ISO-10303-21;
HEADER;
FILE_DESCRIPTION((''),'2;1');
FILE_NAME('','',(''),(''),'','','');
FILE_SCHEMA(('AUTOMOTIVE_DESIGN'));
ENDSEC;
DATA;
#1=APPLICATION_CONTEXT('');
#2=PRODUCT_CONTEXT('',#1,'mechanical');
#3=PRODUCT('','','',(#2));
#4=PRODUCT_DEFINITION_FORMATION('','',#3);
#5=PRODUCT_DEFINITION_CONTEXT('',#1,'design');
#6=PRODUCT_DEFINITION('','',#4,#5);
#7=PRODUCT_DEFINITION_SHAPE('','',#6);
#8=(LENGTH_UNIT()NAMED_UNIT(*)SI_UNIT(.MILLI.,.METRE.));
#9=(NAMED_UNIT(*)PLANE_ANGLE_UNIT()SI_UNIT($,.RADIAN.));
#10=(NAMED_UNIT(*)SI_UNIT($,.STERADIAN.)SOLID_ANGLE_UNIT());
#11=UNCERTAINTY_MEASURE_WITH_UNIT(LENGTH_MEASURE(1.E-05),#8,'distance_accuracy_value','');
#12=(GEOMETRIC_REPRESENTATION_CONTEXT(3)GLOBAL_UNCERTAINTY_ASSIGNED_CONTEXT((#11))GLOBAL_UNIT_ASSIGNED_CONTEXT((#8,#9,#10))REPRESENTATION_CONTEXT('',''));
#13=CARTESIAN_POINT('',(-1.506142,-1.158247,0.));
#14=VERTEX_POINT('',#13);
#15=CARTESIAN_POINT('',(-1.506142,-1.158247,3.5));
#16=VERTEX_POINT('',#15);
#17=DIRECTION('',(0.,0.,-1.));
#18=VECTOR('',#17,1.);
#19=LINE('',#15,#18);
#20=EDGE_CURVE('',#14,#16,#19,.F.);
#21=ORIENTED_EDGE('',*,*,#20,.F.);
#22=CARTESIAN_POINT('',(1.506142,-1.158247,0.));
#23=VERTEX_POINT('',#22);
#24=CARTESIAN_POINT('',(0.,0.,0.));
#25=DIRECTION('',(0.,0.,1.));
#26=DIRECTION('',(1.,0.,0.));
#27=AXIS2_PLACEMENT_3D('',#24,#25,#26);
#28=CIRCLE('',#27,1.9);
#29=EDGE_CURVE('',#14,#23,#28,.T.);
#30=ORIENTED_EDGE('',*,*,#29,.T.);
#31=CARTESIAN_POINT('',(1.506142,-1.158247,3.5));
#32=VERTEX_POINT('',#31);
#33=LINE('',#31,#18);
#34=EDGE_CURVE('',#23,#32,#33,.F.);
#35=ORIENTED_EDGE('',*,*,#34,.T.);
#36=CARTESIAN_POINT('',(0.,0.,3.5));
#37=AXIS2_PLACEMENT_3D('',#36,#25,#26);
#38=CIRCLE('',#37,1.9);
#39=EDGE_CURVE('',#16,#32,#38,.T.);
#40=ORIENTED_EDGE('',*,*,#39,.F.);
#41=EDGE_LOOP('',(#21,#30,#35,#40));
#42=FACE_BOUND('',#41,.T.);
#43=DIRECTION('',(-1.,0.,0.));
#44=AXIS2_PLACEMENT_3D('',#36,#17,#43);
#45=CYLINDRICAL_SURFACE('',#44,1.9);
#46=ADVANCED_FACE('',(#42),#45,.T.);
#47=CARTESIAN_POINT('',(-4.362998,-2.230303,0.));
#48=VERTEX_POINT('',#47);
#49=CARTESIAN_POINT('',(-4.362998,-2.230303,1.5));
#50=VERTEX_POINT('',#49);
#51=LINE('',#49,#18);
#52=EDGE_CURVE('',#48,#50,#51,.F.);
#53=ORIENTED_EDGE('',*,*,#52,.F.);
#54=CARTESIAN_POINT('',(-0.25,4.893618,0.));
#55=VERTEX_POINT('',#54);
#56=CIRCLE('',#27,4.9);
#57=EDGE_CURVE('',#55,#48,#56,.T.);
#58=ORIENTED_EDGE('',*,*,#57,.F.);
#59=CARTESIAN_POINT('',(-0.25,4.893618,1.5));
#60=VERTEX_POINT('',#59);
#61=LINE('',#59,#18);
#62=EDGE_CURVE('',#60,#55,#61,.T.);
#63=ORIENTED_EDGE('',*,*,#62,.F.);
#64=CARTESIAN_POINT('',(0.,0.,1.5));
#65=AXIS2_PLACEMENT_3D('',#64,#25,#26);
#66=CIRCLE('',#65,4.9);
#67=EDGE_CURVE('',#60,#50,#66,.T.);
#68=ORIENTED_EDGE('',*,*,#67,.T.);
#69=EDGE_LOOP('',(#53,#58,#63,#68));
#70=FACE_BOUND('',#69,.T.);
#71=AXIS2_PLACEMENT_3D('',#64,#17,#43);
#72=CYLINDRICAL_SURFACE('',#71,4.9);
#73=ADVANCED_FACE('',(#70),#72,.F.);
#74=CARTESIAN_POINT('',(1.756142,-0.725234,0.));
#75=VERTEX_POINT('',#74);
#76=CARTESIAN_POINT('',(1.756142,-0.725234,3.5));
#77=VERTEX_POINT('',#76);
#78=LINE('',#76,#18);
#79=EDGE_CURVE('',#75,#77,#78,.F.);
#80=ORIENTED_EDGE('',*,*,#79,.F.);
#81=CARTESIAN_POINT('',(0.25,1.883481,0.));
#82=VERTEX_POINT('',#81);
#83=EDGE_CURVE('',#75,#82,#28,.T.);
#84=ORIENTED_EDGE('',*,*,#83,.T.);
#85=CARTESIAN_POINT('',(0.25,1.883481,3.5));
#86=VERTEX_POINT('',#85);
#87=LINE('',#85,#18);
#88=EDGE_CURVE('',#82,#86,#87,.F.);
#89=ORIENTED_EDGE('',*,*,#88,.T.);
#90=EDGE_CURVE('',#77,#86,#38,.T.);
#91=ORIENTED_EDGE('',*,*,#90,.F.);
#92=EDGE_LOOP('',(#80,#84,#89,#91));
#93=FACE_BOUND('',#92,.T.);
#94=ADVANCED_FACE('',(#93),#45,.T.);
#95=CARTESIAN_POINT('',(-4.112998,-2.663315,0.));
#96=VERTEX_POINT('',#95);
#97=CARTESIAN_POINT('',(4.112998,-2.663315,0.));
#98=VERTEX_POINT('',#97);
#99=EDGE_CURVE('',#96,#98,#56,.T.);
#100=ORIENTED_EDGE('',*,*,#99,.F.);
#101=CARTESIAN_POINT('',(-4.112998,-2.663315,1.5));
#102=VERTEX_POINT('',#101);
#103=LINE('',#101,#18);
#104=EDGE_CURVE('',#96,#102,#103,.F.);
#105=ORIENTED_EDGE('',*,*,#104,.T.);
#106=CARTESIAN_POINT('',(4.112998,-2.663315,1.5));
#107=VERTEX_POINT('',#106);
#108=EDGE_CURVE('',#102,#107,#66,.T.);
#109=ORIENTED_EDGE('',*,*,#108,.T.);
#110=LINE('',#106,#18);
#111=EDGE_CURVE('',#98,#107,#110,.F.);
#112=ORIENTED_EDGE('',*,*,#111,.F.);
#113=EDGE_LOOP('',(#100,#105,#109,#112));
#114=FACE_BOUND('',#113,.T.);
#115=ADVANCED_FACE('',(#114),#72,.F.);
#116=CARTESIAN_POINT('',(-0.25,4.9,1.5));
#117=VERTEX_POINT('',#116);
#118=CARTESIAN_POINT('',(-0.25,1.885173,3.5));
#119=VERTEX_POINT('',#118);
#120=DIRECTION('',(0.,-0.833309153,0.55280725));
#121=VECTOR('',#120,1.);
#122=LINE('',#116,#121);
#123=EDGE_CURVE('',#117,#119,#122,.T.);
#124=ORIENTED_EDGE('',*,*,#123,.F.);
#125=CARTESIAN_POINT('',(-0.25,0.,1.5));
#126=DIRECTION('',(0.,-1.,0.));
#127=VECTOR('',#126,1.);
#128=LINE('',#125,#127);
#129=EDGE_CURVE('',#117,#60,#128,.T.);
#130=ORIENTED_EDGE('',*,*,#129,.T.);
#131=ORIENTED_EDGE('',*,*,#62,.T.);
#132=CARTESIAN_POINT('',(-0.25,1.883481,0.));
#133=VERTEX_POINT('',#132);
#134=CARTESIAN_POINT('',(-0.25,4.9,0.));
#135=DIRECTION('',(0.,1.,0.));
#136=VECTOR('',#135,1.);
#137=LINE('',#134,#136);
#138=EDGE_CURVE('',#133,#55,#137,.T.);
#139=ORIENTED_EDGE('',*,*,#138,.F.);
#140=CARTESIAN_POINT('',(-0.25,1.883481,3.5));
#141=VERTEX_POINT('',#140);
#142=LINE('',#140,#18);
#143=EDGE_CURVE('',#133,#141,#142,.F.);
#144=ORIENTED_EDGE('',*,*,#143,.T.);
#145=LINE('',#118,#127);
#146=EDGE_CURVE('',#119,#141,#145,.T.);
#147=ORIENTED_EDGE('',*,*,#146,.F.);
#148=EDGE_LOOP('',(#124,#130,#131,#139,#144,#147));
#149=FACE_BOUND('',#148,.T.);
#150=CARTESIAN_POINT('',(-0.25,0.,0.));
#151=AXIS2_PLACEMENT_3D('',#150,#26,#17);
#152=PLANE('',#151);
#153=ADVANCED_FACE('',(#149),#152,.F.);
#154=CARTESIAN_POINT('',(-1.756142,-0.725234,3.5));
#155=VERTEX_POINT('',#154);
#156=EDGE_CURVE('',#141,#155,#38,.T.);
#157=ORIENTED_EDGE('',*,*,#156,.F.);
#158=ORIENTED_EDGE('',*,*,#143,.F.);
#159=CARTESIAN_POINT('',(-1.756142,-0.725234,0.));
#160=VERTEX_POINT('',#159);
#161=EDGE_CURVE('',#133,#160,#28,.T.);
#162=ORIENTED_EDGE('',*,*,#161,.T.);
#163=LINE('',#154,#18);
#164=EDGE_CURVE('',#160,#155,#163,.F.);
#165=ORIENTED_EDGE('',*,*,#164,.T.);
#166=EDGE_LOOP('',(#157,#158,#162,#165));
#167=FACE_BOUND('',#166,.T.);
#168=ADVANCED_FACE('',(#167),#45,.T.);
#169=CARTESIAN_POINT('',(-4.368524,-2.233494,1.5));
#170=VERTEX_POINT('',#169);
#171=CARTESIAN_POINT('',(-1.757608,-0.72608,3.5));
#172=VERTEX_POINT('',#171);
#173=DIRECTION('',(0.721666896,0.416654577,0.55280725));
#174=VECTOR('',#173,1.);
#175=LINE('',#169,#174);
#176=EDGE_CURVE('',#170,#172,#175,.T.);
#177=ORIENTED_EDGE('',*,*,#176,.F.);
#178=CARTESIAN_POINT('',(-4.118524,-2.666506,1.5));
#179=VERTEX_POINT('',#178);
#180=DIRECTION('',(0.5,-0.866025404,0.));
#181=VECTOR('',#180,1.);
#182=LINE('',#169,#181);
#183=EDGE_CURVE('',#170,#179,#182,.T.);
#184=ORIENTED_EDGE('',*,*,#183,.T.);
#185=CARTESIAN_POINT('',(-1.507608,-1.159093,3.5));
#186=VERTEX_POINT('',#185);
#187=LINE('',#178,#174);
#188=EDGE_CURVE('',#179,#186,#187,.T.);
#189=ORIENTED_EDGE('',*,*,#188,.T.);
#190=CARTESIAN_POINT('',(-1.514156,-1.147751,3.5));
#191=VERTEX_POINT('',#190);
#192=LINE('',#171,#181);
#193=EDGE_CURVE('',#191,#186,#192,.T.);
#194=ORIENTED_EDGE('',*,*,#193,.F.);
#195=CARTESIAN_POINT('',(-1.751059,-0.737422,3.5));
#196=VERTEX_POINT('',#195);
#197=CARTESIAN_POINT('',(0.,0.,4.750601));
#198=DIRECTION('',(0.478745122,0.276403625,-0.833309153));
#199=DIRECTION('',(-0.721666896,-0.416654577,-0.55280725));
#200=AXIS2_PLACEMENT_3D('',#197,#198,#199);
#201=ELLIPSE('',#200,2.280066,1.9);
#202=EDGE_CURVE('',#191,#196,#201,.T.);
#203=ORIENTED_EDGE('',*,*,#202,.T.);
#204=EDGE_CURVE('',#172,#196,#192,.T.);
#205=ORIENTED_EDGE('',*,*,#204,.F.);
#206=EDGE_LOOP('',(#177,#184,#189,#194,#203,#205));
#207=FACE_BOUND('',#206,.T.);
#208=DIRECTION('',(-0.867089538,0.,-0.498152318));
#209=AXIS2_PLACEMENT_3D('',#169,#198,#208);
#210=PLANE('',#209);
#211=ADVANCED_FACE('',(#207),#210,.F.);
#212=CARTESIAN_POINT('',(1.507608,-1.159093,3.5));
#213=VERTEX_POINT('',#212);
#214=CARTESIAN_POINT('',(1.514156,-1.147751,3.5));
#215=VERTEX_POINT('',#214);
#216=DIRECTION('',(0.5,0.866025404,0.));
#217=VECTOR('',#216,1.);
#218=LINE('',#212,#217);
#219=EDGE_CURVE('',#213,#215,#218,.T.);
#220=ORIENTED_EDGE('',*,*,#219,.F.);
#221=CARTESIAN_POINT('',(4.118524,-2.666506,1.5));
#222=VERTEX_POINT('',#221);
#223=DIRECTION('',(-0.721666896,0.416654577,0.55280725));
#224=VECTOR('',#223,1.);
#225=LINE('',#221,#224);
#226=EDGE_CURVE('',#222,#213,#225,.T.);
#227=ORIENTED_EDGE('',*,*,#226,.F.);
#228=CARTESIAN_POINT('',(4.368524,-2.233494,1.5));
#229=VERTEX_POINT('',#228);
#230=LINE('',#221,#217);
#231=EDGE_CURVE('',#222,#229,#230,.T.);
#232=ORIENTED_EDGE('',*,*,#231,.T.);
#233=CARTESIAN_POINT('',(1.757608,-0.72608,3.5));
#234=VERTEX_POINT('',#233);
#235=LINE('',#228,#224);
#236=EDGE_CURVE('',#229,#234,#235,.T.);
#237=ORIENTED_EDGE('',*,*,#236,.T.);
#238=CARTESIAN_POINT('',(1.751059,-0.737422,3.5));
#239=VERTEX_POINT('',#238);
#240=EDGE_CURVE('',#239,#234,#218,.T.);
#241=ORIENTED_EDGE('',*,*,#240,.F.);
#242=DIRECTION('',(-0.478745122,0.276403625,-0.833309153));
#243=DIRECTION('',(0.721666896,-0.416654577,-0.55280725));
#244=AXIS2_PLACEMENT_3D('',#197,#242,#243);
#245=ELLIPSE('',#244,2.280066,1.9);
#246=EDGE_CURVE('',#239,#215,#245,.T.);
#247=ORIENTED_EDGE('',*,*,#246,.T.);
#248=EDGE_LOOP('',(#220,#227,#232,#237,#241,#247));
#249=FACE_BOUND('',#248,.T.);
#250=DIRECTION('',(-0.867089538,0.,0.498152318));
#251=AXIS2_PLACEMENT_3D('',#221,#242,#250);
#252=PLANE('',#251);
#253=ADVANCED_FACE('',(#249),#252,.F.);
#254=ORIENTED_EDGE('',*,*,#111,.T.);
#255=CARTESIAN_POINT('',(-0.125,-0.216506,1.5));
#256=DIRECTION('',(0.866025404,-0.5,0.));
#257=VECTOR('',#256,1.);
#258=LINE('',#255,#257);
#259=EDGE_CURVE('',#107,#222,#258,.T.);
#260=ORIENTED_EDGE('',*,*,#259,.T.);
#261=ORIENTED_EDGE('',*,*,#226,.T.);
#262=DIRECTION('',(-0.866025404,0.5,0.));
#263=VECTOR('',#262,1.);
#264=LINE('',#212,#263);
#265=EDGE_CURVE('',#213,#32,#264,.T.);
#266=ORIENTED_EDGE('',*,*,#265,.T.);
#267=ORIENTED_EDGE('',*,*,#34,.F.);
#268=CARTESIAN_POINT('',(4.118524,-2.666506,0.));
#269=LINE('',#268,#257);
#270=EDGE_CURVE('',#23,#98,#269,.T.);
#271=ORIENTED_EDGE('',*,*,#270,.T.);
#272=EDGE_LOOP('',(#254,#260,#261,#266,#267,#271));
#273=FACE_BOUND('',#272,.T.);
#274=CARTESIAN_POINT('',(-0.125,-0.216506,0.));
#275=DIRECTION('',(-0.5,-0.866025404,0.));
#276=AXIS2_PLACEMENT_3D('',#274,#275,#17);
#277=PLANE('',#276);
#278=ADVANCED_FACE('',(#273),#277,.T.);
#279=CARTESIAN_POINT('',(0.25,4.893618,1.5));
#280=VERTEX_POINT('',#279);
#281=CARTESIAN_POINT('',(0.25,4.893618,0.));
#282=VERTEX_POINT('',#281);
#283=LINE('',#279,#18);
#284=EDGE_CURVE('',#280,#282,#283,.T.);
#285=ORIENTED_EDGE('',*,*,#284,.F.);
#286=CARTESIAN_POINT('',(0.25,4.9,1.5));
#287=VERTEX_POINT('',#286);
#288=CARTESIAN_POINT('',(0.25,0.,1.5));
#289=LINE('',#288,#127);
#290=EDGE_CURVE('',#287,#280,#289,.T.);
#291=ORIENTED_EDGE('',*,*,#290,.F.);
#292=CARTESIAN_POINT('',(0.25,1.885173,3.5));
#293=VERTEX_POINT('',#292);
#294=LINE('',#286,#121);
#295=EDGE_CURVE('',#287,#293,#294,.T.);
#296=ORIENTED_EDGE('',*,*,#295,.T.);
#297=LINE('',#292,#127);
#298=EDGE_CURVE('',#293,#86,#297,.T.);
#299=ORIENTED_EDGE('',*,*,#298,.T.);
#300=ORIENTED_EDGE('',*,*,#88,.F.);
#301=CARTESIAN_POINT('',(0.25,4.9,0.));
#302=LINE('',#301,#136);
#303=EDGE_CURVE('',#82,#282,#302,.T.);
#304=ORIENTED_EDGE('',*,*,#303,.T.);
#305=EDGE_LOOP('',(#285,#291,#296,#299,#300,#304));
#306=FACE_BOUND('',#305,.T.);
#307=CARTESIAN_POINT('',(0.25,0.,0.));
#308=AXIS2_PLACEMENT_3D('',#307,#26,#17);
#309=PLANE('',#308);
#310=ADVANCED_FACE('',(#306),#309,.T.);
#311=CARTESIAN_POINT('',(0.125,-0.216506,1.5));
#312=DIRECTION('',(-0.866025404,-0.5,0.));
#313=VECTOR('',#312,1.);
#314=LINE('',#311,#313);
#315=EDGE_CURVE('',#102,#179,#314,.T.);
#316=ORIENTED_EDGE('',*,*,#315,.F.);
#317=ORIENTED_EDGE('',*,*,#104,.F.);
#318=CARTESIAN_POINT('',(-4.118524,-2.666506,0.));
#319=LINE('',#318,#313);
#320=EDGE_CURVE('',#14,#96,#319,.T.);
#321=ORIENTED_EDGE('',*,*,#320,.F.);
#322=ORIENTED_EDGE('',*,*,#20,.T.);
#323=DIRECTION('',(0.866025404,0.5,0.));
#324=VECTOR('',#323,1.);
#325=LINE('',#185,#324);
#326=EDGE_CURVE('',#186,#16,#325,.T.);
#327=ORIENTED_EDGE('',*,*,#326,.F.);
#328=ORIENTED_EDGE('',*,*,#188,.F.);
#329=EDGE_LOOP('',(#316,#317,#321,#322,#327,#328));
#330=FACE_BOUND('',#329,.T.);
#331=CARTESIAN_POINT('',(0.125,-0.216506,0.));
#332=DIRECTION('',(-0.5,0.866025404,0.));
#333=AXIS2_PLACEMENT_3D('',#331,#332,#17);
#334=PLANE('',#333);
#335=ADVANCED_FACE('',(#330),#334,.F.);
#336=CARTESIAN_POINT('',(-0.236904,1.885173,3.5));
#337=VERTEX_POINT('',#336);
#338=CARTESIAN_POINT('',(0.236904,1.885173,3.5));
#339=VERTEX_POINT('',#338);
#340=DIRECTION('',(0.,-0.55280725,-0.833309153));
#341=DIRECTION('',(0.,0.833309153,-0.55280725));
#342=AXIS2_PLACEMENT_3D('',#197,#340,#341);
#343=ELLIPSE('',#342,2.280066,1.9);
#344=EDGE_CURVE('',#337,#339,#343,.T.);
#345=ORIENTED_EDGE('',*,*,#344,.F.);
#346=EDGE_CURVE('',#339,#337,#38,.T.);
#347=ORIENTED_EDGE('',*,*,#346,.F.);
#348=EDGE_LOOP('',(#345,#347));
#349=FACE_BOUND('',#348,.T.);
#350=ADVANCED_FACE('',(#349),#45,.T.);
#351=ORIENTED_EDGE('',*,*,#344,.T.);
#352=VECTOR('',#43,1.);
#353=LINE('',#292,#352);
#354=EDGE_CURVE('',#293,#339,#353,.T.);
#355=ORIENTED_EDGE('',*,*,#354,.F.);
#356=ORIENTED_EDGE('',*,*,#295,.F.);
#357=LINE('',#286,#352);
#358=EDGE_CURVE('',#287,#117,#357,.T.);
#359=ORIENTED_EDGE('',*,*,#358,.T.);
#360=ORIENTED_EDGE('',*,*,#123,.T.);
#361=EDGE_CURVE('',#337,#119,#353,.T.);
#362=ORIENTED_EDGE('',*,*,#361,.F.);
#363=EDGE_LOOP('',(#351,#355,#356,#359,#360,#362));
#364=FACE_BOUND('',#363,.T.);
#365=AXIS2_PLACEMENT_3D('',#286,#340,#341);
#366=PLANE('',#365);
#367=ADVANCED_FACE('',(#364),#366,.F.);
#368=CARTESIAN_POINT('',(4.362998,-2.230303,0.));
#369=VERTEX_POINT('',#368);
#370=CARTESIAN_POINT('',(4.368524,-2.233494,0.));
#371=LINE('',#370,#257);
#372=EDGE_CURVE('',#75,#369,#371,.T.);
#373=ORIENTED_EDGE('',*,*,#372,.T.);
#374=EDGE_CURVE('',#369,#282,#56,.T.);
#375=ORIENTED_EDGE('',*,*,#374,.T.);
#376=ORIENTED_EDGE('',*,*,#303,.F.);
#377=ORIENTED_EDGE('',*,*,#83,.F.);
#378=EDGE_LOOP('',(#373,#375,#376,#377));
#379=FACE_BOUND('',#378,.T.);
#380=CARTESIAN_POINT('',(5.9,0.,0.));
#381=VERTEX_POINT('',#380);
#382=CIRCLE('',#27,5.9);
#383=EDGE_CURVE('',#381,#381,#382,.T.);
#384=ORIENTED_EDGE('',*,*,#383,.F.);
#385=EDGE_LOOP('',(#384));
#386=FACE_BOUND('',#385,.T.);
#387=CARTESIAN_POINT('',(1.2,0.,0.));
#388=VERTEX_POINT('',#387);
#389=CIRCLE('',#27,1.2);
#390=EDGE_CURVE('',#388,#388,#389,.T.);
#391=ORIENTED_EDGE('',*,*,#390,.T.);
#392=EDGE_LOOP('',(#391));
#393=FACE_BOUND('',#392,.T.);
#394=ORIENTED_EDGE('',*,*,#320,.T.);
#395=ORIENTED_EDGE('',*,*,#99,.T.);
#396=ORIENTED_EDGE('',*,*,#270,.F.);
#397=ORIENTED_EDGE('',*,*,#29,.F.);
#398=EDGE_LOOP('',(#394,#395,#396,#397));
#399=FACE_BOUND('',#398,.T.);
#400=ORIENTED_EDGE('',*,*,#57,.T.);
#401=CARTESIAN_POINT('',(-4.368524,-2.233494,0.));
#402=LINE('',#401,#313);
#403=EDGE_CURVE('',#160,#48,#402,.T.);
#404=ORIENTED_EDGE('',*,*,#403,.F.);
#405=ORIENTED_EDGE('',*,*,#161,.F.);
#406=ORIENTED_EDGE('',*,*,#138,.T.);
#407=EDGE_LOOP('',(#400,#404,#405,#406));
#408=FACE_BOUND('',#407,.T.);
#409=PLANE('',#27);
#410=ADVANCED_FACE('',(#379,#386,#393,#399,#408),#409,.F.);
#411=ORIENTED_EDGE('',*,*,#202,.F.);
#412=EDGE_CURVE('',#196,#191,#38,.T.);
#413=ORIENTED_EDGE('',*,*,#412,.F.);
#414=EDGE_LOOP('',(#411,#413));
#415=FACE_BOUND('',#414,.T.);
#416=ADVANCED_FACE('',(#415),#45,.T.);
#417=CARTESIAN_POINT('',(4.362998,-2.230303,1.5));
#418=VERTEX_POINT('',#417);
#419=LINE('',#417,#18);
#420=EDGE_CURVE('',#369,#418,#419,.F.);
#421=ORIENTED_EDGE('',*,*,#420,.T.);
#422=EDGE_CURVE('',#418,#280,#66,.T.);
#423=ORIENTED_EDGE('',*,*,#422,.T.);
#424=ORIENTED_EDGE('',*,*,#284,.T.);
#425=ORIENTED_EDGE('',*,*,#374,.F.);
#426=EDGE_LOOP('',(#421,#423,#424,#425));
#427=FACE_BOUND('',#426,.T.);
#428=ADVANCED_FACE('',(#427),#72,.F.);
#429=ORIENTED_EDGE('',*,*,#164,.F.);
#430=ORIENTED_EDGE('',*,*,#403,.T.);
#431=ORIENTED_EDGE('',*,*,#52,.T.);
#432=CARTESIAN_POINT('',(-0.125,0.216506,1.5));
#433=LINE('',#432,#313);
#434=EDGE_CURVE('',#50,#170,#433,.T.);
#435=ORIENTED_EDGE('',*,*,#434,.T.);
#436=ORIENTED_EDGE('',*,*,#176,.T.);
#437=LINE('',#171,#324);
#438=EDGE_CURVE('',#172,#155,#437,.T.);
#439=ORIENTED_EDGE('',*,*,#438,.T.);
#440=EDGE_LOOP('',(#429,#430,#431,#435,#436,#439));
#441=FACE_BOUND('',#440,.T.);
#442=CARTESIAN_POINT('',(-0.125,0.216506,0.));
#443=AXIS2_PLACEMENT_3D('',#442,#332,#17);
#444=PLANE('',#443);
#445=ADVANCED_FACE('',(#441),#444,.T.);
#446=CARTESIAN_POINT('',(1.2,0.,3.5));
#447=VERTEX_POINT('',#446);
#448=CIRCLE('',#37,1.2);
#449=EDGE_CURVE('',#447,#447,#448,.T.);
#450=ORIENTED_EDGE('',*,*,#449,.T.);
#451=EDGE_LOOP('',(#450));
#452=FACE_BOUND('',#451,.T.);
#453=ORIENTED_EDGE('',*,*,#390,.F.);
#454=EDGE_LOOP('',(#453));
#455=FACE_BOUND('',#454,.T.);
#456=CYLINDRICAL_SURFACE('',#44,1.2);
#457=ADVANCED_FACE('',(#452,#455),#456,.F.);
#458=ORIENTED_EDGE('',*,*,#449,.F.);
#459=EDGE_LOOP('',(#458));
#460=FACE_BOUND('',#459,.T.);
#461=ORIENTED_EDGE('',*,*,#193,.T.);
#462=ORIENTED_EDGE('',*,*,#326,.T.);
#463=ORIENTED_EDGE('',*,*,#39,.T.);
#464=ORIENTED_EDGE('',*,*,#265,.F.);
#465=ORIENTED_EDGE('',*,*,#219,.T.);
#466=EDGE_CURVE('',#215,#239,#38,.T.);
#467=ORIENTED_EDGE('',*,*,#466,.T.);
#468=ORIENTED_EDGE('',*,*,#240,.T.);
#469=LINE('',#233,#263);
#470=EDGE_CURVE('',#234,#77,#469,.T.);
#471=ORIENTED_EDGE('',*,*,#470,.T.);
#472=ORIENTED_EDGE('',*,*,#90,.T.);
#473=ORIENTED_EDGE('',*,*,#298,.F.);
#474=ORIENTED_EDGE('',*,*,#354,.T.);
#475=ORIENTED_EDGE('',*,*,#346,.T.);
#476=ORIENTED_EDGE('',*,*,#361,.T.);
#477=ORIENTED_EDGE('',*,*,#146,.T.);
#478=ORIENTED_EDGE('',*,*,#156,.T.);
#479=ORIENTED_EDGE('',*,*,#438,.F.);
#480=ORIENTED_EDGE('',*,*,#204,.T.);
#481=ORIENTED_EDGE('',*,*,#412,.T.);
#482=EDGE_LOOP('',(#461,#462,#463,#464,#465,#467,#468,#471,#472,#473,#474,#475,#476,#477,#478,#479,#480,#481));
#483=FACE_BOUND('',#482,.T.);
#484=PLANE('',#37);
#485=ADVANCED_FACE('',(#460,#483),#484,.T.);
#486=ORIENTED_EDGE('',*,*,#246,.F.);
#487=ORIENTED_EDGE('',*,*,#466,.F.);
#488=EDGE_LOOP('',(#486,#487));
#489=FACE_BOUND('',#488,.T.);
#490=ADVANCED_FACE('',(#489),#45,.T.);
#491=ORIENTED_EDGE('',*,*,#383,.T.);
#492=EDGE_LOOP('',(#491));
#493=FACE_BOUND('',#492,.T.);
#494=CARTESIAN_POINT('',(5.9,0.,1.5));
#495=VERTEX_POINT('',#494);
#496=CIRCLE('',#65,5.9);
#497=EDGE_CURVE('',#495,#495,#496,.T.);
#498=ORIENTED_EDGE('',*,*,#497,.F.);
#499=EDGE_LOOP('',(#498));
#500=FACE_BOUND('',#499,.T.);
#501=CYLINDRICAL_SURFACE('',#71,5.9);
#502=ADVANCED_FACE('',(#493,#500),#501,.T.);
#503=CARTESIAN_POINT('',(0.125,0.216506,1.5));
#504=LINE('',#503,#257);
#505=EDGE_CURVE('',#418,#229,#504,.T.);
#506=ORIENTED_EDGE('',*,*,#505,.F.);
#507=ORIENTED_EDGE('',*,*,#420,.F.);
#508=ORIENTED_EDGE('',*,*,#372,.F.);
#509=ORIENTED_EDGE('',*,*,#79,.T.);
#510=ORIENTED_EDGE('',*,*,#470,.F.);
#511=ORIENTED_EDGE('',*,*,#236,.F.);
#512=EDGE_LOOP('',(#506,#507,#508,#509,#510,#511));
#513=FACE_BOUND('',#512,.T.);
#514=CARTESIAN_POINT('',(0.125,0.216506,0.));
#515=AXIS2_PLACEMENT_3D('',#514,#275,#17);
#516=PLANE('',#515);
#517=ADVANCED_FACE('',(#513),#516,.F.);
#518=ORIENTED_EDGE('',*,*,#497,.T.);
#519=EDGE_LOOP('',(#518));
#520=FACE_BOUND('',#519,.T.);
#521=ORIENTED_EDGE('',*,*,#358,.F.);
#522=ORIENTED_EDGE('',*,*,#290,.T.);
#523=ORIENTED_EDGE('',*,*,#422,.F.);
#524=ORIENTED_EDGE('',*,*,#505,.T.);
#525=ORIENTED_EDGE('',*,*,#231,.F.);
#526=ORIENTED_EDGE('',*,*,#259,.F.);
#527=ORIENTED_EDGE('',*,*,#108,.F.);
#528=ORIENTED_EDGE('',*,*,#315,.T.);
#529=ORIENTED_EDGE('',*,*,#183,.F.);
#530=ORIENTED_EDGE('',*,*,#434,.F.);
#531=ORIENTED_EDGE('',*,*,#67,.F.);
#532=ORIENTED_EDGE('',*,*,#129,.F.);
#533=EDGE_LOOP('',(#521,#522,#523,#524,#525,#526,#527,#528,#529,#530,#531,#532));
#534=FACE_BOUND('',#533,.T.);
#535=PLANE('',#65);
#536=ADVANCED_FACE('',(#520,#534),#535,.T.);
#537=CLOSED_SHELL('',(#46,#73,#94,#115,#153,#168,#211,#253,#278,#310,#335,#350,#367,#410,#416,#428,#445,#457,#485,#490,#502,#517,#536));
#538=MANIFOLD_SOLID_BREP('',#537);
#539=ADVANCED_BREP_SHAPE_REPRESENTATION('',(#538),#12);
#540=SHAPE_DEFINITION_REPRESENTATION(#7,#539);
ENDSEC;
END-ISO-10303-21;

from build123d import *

# Parameters (mm, degrees)
SKETCH1_R           = 1.9
SKETCH1_R_2         = 1.2
BOSS_EXTRUDE1_DEPTH = 3.5
SKETCH2_R           = 5.9
SKETCH2_R_2         = 4.9
BOSS_EXTRUDE2_DEPTH = 1.5
BOSS_EXTRUDE3_DEPTH = 0.25
CIRPATTERN1_COUNT   = 3


with BuildPart() as part:
    # Sketch1 → Boss-Extrude1 (new body)
    with BuildSketch(Plane.XY):
        Circle(SKETCH1_R)
        Circle(SKETCH1_R_2, mode=Mode.SUBTRACT)
    extrude(amount=BOSS_EXTRUDE1_DEPTH)



with BuildPart() as body_2:
    # Sketch2 → Boss-Extrude2 (new body)
    with BuildSketch(Plane.XY):
        Circle(SKETCH2_R)
        Circle(SKETCH2_R_2, mode=Mode.SUBTRACT)
    extrude(amount=BOSS_EXTRUDE2_DEPTH)


with BuildPart() as part_1:
    add(part.part)

    add(body_2.part)  # Boss-Extrude3 merges body 2
    # Sketch3 → Boss-Extrude3 (add, symmetric)
    with BuildSketch(Plane(origin=(0, 0, 0), x_dir=(0, 0, -1), z_dir=(1, 0, 0))):
        Polygon((0, 4.9), (-1.5, 4.9), (-3.5, 1.885172848), (-3.5, 1.643172848), (0, 1.643172848), align=None)
    boss_extrude3 = extrude(amount=BOSS_EXTRUDE3_DEPTH, both=True)

    # CirPattern1: Boss-Extrude3 ×3 about axis
    cirpattern1_axis = Axis((0, 0, 3.5), (0, 0, -1))
    for i in range(1, CIRPATTERN1_COUNT):
        add(boss_extrude3.rotate(cirpattern1_axis, i * 360 / CIRPATTERN1_COUNT))


solid = part_1.part
